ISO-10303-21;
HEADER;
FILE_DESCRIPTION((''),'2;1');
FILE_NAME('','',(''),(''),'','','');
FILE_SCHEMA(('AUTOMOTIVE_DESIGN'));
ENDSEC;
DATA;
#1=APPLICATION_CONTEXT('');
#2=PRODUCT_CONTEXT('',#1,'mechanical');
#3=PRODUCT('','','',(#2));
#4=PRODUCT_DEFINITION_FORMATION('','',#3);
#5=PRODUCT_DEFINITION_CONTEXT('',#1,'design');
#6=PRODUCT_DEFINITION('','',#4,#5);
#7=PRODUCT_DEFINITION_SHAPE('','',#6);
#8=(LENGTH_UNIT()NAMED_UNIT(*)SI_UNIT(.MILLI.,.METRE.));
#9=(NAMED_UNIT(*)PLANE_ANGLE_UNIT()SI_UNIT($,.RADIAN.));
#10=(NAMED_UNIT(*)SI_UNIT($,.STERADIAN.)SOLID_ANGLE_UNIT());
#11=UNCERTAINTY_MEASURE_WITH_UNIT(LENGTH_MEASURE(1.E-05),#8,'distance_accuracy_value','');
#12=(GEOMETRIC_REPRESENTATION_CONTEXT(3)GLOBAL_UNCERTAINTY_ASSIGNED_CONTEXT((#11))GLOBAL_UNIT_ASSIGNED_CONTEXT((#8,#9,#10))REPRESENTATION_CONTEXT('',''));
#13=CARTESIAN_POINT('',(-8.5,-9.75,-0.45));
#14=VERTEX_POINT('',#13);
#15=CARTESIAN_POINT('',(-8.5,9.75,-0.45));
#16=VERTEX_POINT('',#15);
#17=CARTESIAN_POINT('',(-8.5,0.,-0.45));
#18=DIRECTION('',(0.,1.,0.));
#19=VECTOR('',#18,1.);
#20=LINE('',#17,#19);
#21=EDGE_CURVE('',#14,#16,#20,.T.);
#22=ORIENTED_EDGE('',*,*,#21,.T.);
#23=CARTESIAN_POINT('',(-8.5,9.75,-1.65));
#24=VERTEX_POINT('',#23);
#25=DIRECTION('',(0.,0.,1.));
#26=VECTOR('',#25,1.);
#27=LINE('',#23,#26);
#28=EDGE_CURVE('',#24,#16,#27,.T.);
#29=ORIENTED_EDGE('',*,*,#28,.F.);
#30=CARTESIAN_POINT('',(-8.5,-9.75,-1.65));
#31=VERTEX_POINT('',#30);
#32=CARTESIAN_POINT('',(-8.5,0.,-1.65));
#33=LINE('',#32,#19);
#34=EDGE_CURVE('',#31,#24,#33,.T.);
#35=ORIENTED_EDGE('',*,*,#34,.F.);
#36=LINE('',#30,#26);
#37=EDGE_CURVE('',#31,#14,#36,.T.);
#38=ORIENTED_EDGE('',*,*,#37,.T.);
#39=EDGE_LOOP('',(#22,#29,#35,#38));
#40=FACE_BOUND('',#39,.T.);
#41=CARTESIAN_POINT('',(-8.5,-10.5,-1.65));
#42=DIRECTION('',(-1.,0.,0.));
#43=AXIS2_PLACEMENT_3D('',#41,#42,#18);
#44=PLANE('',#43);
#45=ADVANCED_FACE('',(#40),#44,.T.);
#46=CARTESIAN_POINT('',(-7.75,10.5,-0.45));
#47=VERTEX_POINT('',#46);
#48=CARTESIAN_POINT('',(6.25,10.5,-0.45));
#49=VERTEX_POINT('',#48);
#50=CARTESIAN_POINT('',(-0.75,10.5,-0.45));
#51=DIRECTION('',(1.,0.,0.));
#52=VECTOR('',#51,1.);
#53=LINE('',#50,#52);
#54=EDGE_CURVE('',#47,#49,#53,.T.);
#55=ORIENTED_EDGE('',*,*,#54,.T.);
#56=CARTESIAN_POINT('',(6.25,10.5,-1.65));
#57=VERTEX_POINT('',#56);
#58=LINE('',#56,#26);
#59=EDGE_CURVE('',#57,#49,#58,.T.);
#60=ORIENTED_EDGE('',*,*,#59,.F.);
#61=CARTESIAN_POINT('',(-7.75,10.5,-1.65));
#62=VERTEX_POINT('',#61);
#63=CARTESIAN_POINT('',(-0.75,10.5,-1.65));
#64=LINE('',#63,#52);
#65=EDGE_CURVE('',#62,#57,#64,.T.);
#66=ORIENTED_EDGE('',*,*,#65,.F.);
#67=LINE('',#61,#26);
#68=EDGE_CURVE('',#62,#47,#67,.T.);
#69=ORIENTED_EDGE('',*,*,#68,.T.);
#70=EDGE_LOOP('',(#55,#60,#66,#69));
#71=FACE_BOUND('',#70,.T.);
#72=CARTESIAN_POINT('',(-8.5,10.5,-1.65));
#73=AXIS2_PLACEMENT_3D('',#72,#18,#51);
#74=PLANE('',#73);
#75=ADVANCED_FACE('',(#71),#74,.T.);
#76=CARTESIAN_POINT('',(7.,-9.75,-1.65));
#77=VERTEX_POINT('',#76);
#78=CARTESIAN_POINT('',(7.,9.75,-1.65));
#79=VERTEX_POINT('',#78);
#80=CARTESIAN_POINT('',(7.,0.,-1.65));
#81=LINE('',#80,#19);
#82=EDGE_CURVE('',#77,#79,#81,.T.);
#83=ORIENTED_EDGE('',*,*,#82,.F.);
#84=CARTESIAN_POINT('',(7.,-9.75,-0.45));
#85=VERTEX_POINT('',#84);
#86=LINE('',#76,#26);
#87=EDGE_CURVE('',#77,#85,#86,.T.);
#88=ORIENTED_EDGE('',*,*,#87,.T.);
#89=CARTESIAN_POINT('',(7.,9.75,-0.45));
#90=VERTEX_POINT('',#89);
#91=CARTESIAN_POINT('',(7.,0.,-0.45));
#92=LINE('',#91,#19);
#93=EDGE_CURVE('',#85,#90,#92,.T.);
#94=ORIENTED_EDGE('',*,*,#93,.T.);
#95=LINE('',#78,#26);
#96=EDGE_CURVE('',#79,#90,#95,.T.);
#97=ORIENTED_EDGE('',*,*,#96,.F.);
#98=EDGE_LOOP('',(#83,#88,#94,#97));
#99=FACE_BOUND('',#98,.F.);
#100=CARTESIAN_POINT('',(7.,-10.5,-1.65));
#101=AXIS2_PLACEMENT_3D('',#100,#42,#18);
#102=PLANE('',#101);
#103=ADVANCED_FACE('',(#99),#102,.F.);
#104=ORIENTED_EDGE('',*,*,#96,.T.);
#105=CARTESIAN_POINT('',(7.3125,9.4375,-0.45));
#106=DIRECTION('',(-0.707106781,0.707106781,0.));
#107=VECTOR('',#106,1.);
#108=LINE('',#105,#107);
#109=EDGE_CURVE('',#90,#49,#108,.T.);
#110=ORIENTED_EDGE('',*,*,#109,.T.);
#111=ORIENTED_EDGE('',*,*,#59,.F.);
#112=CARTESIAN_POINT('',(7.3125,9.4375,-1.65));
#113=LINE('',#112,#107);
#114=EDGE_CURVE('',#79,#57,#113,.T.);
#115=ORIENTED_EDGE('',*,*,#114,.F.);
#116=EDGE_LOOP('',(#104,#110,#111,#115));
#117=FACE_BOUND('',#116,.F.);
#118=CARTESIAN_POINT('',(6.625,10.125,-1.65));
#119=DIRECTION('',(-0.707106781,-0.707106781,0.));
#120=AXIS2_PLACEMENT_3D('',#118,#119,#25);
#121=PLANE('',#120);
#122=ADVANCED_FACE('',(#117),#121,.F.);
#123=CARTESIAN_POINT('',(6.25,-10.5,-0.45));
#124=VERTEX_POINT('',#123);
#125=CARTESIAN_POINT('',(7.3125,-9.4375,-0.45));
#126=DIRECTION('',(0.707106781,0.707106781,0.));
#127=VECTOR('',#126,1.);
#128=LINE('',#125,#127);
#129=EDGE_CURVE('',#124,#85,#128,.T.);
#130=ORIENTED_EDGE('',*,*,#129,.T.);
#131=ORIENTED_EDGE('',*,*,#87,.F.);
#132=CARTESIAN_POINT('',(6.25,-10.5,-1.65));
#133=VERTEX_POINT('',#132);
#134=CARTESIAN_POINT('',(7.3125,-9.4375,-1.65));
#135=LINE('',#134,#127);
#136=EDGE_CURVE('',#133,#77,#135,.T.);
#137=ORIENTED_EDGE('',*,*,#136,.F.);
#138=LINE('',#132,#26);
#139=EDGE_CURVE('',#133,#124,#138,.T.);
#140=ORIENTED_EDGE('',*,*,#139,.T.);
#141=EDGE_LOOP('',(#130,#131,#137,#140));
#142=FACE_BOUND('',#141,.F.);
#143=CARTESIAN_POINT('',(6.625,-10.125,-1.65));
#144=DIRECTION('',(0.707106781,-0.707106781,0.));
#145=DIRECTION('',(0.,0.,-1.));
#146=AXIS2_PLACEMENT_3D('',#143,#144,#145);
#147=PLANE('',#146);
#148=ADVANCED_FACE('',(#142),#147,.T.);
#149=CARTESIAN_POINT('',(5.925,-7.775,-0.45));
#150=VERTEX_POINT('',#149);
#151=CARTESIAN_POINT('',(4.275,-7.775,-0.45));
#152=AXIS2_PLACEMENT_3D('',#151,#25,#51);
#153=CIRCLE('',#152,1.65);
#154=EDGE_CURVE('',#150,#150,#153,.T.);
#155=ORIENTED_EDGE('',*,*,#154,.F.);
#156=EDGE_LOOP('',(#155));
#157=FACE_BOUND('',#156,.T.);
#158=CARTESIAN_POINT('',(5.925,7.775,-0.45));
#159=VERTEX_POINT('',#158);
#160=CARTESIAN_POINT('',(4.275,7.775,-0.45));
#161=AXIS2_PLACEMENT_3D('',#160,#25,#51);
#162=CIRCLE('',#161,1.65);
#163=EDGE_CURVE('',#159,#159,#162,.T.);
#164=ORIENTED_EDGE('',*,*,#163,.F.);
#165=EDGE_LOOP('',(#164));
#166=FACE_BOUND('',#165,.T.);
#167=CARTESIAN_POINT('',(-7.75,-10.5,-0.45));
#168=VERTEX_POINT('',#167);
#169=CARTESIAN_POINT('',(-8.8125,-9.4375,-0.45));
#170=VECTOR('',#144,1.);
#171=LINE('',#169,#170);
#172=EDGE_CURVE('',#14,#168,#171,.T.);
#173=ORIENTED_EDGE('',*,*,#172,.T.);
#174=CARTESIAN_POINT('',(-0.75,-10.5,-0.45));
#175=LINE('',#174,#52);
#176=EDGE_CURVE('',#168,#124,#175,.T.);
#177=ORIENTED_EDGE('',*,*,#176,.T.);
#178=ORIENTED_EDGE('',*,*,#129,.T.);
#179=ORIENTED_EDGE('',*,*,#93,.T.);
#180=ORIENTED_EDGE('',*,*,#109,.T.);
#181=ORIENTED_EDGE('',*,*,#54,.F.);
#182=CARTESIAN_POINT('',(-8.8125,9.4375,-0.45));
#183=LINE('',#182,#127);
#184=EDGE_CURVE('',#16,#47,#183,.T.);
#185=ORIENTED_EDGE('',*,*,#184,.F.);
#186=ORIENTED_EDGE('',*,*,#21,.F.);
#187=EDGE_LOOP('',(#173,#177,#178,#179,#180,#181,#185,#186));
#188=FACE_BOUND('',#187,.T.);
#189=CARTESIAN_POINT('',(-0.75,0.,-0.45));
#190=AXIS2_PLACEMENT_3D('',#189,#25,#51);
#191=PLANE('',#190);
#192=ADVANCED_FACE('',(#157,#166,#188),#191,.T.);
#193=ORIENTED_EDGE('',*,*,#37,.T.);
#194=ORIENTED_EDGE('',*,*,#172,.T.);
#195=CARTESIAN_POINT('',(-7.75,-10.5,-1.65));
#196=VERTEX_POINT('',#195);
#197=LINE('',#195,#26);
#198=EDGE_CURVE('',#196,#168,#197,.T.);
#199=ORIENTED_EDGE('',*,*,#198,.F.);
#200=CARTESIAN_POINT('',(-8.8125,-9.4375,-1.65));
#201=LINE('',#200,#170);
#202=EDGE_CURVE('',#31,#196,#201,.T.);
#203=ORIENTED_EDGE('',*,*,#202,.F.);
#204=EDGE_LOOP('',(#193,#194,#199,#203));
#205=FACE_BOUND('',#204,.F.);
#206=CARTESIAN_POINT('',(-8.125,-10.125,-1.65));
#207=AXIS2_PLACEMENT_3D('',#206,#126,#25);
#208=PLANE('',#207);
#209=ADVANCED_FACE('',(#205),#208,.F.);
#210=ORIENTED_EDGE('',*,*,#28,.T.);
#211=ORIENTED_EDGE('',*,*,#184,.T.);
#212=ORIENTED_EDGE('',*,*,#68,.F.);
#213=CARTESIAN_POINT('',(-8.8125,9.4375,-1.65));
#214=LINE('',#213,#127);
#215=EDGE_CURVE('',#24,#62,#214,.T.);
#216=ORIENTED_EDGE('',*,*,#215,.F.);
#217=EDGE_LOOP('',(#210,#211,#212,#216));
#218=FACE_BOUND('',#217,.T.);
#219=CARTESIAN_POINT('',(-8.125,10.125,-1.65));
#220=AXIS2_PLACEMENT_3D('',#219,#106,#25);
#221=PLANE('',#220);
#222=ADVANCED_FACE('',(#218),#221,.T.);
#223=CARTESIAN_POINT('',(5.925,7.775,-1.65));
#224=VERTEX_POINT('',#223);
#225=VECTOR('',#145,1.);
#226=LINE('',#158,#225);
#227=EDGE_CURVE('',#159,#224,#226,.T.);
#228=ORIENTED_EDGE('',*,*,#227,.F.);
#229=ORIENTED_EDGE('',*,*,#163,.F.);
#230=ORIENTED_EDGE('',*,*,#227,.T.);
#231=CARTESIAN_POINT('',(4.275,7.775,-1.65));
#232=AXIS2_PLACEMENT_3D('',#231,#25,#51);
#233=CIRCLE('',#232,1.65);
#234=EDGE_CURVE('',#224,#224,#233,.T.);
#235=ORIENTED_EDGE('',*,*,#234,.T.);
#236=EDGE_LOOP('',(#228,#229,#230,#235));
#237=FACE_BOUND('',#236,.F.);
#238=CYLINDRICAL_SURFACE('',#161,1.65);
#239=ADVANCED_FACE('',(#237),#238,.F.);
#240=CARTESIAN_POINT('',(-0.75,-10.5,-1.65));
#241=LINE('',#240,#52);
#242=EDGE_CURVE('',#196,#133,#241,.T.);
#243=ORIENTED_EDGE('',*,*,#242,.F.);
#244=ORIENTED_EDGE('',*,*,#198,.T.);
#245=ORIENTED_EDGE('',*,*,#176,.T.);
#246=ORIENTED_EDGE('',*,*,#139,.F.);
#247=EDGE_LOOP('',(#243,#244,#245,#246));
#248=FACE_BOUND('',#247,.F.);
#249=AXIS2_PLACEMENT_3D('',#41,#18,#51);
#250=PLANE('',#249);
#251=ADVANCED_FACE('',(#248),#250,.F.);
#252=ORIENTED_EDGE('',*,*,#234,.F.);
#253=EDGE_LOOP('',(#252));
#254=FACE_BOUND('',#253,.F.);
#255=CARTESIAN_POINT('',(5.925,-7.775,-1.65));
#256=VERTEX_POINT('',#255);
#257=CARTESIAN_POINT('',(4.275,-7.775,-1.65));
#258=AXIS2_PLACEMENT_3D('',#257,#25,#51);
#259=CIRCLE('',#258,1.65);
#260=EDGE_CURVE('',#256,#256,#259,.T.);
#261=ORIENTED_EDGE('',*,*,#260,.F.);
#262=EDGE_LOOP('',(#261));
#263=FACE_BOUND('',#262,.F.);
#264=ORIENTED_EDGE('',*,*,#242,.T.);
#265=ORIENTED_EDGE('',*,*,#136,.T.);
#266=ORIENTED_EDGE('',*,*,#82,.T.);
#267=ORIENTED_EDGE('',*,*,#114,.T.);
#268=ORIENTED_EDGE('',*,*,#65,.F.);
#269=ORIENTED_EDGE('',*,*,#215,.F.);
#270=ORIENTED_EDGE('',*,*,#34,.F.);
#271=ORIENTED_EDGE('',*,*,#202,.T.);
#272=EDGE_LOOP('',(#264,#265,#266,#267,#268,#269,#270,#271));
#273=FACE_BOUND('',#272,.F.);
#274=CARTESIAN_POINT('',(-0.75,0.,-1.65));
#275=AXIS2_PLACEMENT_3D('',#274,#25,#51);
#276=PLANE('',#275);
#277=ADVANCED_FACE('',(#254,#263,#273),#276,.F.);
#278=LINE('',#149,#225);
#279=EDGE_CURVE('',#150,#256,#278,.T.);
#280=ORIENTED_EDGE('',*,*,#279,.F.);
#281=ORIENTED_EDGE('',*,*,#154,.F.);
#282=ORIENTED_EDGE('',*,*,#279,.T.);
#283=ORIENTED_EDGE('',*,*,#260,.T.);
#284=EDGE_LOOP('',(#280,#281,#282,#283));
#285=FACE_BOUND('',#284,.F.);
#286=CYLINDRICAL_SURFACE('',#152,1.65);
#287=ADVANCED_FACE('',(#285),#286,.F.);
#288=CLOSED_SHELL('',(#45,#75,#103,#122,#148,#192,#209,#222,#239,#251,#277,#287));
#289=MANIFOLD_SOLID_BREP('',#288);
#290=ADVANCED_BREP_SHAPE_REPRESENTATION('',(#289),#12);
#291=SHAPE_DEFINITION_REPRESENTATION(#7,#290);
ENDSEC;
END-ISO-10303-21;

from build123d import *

# Parameters (mm, degrees)
SKETCH003_W     = 15.5
SKETCH003_H     = 21
PAD002_DEPTH    = 1.2
CHAMFER_SIZE    = 0.75
SKETCH004_R     = 1.65
POCKET001_DEPTH = 5


with BuildPart() as part:
    # Sketch003 → Pad002 (new body)
    with BuildSketch(Plane.XY):
        with Locations((-0.75, 0)):
            Rectangle(SKETCH003_W, SKETCH003_H)
    extrude(amount=PAD002_DEPTH)

    # Chamfer
    chamfer_edges = [part.edges().sort_by_distance(p)[0] for p in [
        (-8.5, -10.5, 0.6),
        (7, 10.5, 0.6),
        (7, -10.5, 0.6),
        (-8.5, 10.5, 0.6),
    ]]
    chamfer(chamfer_edges, length=CHAMFER_SIZE)

    # Sketch004 (on Face5 of Chamfer) → Pocket001 (cut)
    with BuildSketch(Plane.XY.offset(1.2)):
        with Locations((4.275, 7.775)):
            Circle(SKETCH004_R)
        with Locations((4.275, -7.775)):
            Circle(SKETCH004_R)
    extrude(amount=-POCKET001_DEPTH, mode=Mode.SUBTRACT)


with BuildPart() as part_1:
    # Body placement: moved
    add(part.part.moved(Location((0, 0, -1.65))))


solid = part_1.part
